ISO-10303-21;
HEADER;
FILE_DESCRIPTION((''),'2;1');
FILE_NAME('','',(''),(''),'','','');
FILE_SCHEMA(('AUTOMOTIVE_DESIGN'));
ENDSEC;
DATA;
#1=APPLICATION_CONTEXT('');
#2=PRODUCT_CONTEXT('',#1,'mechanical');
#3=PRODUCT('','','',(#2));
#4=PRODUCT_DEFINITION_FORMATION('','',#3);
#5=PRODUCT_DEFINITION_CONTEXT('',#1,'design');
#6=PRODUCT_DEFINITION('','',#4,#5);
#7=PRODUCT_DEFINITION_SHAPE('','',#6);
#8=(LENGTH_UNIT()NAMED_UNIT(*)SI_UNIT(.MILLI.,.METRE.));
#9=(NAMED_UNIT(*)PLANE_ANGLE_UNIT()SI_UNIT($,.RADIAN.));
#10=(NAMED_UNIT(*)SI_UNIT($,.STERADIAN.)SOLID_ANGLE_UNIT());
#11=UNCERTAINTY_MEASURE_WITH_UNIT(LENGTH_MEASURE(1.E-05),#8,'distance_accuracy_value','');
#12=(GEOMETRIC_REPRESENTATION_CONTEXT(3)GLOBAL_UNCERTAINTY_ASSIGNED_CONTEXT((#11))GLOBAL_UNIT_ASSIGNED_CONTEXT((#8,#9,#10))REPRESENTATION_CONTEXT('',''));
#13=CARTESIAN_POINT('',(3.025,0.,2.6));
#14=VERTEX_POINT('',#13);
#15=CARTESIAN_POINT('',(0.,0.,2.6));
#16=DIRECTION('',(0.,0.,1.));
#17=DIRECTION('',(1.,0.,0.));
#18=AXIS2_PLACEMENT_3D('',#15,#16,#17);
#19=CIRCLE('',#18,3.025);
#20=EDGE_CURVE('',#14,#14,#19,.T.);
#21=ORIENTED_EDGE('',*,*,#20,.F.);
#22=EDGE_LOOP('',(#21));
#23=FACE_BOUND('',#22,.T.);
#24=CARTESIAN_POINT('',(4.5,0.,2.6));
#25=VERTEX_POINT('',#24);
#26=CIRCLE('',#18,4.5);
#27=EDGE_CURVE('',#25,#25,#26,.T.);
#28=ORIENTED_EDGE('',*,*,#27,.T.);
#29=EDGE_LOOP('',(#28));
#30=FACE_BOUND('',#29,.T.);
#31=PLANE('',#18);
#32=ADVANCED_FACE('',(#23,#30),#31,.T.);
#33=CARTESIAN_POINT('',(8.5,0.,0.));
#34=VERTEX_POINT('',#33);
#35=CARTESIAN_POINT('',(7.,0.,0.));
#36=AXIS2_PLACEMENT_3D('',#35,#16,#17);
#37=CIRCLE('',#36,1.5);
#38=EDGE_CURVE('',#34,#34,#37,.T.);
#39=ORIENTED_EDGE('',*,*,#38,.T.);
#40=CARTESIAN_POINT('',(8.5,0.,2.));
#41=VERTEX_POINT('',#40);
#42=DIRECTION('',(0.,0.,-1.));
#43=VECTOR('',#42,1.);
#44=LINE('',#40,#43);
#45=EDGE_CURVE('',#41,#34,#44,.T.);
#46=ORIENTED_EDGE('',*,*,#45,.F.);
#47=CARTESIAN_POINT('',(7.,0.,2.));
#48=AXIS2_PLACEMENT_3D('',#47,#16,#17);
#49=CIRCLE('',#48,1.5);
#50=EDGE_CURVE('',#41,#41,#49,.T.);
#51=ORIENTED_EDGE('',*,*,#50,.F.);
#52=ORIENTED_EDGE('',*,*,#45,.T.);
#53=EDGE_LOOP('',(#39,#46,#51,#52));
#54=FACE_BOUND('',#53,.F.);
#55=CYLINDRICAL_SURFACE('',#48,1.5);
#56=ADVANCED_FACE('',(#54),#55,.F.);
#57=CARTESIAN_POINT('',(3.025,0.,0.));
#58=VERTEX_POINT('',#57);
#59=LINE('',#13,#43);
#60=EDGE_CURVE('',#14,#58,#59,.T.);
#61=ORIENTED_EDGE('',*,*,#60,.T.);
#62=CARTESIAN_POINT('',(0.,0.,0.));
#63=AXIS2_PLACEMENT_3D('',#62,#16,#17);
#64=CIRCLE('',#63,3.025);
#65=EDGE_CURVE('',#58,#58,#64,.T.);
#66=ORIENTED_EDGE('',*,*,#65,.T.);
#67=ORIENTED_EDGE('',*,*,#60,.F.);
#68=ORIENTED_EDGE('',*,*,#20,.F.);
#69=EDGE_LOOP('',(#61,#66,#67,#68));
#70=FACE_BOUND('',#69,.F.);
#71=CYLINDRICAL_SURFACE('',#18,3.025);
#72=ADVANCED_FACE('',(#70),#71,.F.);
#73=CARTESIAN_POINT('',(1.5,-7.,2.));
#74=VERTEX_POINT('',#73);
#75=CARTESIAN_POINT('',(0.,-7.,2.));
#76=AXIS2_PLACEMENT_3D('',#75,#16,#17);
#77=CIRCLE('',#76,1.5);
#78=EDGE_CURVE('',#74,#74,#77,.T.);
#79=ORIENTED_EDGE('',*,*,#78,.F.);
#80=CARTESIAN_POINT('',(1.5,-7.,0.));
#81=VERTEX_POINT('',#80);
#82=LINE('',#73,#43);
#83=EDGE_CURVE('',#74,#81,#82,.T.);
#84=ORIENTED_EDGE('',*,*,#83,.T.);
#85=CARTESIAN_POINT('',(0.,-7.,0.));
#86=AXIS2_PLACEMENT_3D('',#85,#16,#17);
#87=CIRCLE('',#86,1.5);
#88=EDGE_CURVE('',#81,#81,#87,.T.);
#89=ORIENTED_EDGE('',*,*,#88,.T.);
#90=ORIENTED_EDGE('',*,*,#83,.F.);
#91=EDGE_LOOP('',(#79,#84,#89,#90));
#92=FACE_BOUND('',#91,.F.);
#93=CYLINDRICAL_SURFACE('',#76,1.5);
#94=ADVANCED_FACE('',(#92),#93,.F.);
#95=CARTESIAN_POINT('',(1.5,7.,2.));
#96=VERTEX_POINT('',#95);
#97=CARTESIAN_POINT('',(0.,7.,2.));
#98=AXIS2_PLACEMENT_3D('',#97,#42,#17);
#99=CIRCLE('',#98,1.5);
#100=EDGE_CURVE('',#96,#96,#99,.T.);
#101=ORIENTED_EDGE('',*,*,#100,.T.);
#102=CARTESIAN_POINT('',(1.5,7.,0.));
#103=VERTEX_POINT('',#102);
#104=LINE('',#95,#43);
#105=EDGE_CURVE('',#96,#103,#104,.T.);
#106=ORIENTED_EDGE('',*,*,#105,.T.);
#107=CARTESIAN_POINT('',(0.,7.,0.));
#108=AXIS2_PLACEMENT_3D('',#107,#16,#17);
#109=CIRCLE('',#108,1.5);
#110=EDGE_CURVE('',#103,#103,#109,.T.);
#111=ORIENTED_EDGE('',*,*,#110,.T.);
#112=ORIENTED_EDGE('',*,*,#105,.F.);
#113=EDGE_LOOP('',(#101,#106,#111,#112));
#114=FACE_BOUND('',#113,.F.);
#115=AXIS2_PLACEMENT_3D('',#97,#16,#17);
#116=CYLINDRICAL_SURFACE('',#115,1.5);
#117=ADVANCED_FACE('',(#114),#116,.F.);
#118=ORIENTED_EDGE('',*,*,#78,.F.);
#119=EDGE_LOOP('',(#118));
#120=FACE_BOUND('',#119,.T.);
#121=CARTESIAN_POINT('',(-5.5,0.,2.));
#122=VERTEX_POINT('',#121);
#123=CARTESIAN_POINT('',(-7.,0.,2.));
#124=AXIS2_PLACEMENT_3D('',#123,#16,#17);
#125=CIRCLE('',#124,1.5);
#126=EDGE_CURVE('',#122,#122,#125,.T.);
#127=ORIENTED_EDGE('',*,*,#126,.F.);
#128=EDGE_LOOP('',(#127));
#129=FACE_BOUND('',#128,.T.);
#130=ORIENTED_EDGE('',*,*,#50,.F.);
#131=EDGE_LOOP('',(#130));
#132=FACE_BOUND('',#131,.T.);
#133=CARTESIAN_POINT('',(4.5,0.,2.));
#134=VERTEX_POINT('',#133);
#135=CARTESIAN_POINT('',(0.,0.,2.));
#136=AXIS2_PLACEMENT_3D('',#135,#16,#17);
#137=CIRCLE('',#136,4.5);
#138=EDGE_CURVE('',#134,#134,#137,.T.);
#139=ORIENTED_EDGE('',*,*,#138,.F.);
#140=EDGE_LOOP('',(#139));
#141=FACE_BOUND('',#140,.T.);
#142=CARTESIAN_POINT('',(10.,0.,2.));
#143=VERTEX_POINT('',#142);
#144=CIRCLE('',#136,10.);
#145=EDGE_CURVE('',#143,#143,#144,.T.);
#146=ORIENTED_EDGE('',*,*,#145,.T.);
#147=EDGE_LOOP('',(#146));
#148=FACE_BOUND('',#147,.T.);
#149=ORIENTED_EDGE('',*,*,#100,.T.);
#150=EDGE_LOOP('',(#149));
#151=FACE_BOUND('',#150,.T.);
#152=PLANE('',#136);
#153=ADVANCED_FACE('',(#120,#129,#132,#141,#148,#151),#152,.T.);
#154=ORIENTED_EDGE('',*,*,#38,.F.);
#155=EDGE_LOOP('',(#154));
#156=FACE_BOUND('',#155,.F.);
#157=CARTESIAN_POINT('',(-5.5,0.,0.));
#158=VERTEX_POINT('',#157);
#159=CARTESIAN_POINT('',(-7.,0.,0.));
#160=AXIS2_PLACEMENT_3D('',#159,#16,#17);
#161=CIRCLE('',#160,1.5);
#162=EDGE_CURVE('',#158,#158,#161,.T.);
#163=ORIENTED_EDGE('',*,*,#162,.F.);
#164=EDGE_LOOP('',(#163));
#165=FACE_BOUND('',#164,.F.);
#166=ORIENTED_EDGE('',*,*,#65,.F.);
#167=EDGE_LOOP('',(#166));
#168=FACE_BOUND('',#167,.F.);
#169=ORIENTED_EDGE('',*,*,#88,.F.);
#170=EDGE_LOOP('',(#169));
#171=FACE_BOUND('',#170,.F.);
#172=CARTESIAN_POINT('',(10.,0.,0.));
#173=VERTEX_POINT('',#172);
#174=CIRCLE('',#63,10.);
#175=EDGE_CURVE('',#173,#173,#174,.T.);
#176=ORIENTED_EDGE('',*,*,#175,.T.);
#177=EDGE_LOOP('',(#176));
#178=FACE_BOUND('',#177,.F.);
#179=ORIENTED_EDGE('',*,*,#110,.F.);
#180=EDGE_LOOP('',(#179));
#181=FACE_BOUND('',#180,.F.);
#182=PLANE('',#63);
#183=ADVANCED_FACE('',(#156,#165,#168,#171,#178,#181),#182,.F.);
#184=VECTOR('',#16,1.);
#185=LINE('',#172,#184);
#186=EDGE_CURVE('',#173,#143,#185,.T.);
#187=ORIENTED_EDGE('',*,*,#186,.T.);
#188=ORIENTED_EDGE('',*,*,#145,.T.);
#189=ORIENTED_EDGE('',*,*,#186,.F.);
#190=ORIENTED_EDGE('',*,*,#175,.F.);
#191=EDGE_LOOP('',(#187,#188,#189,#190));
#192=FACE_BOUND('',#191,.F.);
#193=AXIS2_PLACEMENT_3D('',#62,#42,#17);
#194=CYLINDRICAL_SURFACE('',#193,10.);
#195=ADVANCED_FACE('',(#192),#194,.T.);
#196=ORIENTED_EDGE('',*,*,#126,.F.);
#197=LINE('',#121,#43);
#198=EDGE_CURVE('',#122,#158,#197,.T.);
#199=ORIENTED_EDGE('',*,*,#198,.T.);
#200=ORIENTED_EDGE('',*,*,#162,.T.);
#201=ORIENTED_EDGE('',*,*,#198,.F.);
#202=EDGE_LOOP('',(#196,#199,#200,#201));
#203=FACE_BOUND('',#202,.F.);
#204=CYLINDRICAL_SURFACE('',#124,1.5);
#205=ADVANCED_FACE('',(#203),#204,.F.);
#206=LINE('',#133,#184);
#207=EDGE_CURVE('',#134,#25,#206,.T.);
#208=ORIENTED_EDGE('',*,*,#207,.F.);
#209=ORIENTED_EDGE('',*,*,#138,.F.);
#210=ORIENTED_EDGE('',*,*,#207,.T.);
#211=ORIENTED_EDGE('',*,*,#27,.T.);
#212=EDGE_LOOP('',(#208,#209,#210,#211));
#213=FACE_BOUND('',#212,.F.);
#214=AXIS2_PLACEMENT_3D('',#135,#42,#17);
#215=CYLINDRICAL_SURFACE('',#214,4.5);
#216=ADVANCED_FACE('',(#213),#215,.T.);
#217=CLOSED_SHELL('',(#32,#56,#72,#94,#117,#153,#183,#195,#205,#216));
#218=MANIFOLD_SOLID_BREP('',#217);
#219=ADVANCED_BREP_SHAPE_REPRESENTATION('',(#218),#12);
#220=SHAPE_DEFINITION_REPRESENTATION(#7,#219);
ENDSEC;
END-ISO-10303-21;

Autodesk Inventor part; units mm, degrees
ref_plane "YZ Plane" through (0, 0, 0) normal (1, 0, 0) x (0, 1, 0)
ref_plane "XZ Plane" through (0, 0, 0) normal (0, 1, 0) x (-1, 0, 0)
ref_plane "XY Plane" through (0, 0, 0) normal (0, 0, 1) x (1, 0, 0)
sketch "Sketch1" plane through (0, 0, 0) normal (0, 0, 1) x (1, 0, 0)
  circle A0 centre (0, 0) radius 10
  dimension "d0" = 20
extrude "Extrusion1" add sketch "Sketch1" along normal blind 2
sketch "Sketch2" plane through (0, 0, 2) normal (0, 0, 1) x (1, 0, 0)
  circle A0 centre (0, 0) radius 4.5
  dimension "d3" = 9
extrude "Extrusion2" add sketch "Sketch2" along normal blind 0.6
sketch "Sketch4" plane through (0, 0, 2.6) normal (0, 0, 1) x (1, 0, 0)
  circle A0 centre (0, 0) radius 3.025
  dimension "d9" = 6.05
extrude "Extrusion4" cut sketch "Sketch4" against normal through all
sketch "Sketch5" plane through (0, 0, 2) normal (0, 0, 1) x (1, 0, 0)
  line L0 (0, 0) -> (0, 7)
  circle A0 centre (0, 7) radius 1.5
  circle A1 centre (-7, 0) radius 1.5
  circle A2 centre (0, -7) radius 1.5
  circle A3 centre (7, 0) radius 1.5
  dimension "d12" = 7
  dimension "d13" = 3
  dimension "d16" = 360
extrude "Extrusion5" cut sketch "Sketch5" against normal through all
thread "Thread1" size "M3x0.5" class "6H" standard "ANSI Metric M Profile" full length
thread "Thread2" size "M3x0.5" class "6H" standard "ANSI Metric M Profile" full length
thread "Thread3" size "M3x0.5" class "6H" standard "ANSI Metric M Profile" full length
thread "Thread4" size "M3x0.5" class "6H" standard "ANSI Metric M Profile" full length
properties part number "servo_FT_SC_horn"
